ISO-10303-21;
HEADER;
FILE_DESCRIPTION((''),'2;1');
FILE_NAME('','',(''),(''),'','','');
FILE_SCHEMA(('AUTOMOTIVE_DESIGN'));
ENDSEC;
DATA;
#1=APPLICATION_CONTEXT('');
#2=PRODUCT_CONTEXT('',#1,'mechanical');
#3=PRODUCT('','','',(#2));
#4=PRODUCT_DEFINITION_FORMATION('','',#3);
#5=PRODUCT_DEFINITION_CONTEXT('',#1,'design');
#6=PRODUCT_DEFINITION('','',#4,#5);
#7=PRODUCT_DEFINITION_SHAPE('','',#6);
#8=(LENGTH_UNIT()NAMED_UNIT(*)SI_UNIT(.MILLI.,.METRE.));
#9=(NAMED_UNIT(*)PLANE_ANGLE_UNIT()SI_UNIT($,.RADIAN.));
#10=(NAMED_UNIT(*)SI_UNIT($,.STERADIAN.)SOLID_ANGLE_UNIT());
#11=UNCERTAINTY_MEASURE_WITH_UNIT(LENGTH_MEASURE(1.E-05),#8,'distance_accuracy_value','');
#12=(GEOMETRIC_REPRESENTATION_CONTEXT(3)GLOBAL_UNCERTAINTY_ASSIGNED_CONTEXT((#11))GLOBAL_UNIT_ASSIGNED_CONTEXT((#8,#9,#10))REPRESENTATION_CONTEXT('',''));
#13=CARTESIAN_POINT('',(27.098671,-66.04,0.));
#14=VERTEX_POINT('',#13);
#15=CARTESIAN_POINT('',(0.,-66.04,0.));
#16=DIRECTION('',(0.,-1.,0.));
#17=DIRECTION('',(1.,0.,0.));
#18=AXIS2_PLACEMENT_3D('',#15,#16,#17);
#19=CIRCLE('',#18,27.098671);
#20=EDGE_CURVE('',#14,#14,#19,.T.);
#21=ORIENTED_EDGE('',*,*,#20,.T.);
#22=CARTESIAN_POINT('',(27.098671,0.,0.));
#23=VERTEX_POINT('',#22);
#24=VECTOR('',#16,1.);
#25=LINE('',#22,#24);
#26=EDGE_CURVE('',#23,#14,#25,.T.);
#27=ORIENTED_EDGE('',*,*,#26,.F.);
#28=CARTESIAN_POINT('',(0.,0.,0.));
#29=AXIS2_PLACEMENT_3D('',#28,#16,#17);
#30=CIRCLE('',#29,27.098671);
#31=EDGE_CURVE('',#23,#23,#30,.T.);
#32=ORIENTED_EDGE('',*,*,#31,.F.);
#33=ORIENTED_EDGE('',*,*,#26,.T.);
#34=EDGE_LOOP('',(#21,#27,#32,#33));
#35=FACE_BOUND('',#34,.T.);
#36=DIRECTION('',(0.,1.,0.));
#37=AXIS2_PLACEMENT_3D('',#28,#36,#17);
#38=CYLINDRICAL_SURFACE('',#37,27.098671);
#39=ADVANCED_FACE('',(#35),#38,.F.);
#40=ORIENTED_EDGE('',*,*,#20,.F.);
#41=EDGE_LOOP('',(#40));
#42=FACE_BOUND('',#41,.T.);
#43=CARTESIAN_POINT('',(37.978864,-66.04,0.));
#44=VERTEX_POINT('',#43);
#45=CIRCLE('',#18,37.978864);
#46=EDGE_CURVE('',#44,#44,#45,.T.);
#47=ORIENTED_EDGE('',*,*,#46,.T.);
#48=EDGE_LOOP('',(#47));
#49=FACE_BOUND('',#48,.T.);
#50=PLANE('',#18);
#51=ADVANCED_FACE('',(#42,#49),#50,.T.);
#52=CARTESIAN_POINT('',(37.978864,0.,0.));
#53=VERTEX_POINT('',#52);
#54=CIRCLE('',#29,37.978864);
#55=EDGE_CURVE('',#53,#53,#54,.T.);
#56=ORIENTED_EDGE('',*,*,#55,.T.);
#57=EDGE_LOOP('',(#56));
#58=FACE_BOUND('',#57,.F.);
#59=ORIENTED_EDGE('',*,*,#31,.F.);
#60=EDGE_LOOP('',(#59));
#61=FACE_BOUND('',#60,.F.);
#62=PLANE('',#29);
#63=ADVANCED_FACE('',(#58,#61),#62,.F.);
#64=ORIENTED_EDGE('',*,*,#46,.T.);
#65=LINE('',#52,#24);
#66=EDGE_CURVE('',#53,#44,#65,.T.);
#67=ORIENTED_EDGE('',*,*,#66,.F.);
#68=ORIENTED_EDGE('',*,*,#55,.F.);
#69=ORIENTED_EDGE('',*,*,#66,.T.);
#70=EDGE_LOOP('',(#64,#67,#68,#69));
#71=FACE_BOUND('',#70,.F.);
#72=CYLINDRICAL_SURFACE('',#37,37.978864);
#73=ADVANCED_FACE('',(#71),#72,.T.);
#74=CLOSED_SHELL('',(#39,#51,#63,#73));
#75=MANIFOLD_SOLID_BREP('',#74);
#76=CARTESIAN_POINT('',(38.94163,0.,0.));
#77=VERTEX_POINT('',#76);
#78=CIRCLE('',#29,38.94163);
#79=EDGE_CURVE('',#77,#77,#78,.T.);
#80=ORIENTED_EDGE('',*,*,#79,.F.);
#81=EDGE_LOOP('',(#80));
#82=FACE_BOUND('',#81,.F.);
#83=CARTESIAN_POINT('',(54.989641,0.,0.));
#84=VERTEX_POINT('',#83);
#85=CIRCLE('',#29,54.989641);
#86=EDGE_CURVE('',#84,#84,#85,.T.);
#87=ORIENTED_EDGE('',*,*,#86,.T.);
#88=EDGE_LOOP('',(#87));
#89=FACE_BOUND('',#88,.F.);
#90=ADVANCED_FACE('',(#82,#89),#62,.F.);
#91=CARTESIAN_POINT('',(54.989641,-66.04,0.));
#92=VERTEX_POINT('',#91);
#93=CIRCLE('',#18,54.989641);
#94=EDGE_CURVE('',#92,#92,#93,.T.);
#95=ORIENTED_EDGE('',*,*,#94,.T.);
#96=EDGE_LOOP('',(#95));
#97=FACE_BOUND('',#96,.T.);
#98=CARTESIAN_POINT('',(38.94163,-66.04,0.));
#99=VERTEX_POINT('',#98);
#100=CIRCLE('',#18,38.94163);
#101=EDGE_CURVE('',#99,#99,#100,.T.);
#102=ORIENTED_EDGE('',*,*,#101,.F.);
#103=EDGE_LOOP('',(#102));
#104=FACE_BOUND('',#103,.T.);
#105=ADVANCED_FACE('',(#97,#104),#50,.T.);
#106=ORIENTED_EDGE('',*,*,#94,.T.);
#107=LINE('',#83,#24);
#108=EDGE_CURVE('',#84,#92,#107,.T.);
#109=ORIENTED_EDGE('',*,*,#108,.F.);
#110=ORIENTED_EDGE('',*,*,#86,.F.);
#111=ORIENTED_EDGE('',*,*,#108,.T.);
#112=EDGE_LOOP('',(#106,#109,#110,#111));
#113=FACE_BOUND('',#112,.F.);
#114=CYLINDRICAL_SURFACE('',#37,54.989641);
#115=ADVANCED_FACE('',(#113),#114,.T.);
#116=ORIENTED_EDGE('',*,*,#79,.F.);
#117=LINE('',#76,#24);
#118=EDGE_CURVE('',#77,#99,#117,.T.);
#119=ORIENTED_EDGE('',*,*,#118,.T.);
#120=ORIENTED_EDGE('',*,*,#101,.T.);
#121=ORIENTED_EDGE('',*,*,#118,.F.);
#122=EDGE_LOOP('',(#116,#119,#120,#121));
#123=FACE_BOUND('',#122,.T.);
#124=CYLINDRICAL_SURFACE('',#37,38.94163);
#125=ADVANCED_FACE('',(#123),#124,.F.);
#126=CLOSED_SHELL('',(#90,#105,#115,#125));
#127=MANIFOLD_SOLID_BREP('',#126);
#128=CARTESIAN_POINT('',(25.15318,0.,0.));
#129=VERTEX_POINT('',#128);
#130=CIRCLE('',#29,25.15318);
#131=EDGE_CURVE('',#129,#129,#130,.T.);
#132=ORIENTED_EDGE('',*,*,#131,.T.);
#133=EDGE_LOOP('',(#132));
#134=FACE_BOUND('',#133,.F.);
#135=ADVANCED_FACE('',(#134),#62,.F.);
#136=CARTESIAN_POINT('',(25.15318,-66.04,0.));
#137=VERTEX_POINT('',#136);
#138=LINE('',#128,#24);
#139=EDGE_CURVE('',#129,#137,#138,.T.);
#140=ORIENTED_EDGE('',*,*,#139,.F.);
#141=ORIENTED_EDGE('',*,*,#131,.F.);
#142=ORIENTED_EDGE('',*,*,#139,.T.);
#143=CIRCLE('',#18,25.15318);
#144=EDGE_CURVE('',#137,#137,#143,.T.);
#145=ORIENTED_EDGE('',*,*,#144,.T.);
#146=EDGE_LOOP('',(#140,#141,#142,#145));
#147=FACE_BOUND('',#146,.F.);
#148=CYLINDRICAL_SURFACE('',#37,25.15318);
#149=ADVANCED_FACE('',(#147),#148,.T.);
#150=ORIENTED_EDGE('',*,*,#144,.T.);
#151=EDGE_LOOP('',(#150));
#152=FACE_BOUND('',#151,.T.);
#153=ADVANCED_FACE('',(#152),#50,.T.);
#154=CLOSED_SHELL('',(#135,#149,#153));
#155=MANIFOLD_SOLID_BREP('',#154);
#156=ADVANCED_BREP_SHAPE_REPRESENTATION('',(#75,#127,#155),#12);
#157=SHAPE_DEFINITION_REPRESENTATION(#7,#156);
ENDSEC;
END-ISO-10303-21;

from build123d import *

# Parameters (mm, degrees)
F0_R     = 54.989641
F0_R_2   = 38.94163
F0_R_3   = 37.978864
F0_R_4   = 27.098671
F0_R_5   = 25.15318
F1_DEPTH = 66.04


with BuildPart() as f1:
    # F0 (on Front) → F1 (new body)
    with BuildSketch(Plane.XZ):
        Circle(F0_R)
        Circle(F0_R_2, mode=Mode.SUBTRACT)
        Circle(F0_R_3)
        Circle(F0_R_4, mode=Mode.SUBTRACT)
        Circle(F0_R_5)
    extrude(amount=F1_DEPTH)


solid = f1.part
